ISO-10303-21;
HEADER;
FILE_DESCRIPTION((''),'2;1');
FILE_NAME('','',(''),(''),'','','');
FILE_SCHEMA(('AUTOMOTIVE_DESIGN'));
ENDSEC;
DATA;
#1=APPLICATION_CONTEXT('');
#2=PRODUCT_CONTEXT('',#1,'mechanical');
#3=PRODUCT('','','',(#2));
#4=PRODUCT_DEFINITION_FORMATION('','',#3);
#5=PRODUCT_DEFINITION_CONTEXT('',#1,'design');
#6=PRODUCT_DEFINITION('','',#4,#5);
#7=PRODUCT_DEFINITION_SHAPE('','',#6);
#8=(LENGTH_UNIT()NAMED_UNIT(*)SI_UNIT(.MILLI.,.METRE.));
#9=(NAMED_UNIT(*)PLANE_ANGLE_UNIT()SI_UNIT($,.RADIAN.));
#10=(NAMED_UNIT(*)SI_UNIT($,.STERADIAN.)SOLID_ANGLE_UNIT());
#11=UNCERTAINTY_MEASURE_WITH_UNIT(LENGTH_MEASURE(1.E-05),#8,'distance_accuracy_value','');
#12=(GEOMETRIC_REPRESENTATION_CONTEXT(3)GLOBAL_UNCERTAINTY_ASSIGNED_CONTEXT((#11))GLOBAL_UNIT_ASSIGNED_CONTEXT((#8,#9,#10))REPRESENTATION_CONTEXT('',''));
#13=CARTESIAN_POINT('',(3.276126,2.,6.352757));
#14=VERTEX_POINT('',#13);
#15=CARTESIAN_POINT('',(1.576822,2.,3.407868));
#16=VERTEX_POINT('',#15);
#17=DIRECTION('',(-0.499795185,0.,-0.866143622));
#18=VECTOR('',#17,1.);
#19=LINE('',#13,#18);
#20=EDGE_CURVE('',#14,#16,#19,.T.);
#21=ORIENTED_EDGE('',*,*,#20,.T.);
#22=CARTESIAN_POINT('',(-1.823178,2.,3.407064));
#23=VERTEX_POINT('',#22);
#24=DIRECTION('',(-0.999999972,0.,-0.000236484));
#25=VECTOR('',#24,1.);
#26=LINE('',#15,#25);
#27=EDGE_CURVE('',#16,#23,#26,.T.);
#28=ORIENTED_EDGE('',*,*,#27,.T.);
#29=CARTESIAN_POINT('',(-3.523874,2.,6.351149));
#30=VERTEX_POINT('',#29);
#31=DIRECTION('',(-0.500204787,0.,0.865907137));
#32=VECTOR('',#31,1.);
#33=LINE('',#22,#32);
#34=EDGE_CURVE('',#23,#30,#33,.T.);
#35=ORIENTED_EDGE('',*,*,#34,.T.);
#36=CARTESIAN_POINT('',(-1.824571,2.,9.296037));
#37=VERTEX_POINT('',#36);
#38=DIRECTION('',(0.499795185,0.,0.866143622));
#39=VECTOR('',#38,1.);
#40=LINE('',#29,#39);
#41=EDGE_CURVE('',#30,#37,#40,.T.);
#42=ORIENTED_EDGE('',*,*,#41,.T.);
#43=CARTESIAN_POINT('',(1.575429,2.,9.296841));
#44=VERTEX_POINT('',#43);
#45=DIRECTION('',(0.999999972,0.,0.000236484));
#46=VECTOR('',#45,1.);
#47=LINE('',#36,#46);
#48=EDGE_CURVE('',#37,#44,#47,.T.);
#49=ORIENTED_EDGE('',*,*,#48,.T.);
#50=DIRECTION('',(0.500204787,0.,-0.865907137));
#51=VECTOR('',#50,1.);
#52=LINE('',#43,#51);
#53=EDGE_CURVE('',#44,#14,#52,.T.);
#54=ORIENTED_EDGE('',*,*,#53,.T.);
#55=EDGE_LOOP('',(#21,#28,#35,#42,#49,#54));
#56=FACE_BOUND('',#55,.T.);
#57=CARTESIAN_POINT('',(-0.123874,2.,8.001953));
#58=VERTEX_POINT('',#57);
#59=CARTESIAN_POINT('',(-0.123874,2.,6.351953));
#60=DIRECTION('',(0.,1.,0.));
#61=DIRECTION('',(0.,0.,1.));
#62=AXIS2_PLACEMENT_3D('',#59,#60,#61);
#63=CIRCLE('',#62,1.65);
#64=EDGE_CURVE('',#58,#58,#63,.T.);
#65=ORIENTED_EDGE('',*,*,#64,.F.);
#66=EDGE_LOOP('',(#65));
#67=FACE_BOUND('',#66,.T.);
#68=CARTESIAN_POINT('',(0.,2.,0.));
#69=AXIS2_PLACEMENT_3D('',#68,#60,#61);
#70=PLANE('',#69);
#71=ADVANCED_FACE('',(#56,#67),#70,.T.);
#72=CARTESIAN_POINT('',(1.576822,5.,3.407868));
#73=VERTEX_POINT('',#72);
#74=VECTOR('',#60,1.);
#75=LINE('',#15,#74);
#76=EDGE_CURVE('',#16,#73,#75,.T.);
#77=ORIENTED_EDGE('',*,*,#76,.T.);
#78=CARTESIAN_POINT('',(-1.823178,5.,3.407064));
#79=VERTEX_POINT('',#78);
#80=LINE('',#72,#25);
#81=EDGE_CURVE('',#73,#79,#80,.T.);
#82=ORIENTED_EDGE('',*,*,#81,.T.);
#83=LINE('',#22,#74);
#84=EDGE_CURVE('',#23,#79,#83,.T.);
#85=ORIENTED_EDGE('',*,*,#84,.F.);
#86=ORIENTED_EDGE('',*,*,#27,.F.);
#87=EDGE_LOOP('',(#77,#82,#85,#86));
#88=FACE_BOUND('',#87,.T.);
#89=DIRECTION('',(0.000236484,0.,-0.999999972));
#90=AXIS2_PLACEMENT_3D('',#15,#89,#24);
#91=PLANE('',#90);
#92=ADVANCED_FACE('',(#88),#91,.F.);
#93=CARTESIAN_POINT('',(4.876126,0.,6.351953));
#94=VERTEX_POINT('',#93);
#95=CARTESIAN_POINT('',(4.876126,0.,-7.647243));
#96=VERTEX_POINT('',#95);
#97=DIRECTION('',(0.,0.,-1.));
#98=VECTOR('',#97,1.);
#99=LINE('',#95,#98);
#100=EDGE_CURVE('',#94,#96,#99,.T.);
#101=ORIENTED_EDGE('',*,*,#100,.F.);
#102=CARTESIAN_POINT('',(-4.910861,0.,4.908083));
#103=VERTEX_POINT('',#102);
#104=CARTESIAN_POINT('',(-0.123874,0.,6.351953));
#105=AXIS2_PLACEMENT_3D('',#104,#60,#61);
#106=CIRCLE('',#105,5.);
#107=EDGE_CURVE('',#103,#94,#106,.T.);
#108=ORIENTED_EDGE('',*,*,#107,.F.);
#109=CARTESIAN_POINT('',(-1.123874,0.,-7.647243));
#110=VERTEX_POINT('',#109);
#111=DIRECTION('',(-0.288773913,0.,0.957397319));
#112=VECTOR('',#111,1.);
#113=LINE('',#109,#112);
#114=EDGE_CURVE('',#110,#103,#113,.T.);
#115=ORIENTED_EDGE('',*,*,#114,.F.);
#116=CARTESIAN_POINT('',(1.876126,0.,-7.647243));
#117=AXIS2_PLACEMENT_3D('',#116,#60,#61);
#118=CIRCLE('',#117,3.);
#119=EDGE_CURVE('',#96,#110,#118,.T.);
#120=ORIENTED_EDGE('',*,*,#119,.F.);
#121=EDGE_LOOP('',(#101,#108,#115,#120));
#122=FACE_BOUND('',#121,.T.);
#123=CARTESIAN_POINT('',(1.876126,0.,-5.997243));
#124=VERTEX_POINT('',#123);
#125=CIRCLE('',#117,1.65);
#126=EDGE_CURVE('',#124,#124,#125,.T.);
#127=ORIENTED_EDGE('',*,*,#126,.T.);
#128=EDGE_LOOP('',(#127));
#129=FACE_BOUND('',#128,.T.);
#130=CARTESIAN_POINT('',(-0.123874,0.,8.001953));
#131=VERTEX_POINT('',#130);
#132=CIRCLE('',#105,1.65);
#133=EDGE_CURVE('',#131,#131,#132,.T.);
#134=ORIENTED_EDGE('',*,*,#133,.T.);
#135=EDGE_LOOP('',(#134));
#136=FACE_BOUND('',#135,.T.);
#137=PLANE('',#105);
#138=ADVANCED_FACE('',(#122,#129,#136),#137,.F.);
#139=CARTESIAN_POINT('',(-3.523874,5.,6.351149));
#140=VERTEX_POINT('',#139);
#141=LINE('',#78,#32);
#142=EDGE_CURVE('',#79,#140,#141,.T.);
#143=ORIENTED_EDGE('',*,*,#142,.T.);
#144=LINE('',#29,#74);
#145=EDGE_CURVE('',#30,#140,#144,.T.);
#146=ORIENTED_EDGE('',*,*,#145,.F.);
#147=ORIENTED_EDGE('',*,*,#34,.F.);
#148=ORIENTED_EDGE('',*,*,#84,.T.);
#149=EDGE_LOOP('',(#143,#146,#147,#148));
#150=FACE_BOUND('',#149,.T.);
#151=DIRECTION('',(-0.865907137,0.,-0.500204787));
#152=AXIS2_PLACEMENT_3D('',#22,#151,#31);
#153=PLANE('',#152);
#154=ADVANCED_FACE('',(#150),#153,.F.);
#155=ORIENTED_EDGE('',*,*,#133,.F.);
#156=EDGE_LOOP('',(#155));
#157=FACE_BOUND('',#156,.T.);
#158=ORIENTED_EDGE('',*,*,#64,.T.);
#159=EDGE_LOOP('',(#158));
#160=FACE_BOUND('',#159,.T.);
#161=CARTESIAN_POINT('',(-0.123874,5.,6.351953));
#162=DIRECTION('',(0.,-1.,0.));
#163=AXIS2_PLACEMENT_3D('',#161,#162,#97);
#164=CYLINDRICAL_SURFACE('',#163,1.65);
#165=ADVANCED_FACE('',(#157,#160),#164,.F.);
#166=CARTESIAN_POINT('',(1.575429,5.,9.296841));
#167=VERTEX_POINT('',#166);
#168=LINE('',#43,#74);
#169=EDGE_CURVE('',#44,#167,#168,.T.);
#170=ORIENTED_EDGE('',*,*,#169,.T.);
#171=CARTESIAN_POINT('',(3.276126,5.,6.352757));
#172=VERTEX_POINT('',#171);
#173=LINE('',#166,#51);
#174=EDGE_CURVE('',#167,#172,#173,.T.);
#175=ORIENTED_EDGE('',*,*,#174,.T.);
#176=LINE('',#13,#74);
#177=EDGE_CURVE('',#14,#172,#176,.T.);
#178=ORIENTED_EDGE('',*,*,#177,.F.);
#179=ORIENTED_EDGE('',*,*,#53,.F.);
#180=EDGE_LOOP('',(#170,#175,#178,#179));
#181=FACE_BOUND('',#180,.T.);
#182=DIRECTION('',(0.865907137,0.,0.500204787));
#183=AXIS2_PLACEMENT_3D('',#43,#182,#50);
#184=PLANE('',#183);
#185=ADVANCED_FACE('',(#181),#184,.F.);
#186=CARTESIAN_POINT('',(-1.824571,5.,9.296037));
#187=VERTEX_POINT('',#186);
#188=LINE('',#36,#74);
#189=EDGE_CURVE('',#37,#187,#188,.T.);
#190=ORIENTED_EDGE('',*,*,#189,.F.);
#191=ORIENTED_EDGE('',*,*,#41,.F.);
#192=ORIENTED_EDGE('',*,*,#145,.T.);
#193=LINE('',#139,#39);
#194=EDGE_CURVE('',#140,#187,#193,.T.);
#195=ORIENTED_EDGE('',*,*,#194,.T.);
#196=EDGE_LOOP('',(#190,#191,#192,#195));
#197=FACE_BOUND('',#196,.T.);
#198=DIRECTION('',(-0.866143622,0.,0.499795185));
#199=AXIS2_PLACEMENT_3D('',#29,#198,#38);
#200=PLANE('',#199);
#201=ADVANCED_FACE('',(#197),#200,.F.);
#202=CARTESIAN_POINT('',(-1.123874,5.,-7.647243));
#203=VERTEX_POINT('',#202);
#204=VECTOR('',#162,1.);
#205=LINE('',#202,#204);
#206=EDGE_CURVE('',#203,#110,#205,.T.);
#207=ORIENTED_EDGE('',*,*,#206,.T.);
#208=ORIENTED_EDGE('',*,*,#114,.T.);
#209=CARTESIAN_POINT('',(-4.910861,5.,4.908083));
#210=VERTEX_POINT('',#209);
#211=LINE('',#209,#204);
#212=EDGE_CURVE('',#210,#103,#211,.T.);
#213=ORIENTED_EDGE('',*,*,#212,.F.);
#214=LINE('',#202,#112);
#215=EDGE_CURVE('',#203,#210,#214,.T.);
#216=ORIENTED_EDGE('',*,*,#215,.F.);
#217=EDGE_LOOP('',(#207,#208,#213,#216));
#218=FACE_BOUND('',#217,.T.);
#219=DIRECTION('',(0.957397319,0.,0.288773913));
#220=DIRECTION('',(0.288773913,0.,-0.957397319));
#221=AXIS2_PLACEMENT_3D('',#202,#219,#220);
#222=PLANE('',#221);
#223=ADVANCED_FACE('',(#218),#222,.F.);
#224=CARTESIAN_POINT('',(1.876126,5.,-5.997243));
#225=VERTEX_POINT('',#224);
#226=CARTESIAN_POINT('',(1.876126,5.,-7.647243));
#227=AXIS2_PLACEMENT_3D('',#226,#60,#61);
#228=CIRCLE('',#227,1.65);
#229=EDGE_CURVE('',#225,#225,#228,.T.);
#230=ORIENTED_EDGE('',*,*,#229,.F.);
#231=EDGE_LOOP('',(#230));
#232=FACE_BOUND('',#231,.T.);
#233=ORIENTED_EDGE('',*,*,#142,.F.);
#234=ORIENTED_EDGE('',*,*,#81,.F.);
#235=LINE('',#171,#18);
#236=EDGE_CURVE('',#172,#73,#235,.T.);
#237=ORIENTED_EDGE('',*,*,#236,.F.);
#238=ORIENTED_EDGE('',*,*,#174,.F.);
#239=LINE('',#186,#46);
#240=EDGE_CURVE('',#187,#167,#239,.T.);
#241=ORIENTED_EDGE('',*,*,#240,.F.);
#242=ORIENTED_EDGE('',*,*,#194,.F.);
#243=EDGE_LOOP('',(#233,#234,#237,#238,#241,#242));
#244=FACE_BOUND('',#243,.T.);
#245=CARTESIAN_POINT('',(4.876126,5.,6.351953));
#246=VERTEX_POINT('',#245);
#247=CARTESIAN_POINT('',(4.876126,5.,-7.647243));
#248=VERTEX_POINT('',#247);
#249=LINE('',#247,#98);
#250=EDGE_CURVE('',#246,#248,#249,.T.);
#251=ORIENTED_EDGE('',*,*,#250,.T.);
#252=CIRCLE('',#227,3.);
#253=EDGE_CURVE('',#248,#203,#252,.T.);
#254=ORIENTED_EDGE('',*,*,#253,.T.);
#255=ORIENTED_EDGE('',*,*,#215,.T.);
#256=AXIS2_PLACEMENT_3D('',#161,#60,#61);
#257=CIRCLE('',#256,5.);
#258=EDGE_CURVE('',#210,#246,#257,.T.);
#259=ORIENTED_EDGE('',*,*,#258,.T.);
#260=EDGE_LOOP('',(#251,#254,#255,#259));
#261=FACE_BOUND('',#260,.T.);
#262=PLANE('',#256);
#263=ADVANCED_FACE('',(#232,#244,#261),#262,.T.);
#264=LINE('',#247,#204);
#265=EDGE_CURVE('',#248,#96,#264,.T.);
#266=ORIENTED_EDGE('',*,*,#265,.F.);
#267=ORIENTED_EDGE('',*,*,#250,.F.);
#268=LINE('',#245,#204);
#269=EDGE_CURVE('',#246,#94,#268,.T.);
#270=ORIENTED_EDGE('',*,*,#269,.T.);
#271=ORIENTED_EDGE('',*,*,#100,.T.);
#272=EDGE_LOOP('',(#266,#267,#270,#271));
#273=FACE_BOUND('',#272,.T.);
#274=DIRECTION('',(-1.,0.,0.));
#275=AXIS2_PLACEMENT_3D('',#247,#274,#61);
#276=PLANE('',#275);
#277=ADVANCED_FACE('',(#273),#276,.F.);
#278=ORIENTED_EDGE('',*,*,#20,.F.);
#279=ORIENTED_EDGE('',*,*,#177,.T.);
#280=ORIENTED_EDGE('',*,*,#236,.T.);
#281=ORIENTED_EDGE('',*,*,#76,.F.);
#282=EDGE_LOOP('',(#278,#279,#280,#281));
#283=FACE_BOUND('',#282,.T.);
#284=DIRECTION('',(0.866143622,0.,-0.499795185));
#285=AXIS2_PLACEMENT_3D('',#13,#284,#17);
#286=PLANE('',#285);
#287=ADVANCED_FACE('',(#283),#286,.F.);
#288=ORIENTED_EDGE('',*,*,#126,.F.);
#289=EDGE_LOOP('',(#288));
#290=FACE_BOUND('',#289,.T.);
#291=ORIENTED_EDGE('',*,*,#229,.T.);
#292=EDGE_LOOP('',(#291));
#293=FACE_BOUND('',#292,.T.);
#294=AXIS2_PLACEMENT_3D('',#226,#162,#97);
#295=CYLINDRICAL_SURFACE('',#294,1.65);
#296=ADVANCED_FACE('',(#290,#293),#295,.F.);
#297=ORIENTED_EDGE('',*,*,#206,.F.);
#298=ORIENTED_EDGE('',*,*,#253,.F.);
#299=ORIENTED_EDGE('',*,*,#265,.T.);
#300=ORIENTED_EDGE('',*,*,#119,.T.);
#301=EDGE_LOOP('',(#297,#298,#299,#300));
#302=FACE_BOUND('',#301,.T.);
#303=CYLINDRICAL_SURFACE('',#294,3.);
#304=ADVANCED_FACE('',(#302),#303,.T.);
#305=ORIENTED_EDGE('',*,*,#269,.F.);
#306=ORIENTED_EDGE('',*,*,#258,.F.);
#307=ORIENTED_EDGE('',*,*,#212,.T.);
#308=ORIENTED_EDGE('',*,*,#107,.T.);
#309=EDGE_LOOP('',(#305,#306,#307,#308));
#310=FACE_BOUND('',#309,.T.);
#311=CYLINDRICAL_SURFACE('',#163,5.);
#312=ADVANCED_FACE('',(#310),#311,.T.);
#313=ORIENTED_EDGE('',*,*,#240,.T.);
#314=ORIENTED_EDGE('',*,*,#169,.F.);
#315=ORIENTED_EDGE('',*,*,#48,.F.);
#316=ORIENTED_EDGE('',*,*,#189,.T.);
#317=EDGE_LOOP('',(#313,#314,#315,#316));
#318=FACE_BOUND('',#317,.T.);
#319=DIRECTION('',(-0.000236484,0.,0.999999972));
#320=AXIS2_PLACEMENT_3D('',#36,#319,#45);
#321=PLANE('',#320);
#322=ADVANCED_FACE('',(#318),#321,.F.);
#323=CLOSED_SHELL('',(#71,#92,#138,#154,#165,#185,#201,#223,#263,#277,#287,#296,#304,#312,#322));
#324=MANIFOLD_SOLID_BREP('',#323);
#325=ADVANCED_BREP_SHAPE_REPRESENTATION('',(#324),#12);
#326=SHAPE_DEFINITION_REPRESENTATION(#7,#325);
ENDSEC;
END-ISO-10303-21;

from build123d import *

# Parameters (mm, degrees)
SKETCH1_R           = 1.65
BOSS_EXTRUDE1_DEPTH = 5
CUT_EXTRUDE1_DEPTH  = 3


with BuildPart() as part:
    # Sketch1 → Boss-Extrude1 (new body)
    with BuildSketch(Plane(origin=(0, 0, 0), x_dir=(1, 0, 0), z_dir=(0, 1, 0))):
        with BuildLine():
            Line((-1.123874335, 7.64724342), (-4.910860932, -4.908083254))
            ThreePointArc((-4.910860932, -4.908083254), (-0.85362327, -11.298412816), (4.876125665, -6.35195282))
            Line((4.876125665, -6.35195282), (4.876125665, 7.64724342))
            ThreePointArc((4.876125665, 7.64724342), (1.876125665, 10.64724342), (-1.123874335, 7.64724342))
        make_face()
        with Locations(Location((1.876125665, 7.64724342, 0), (0, 0, 270))):
            Circle(SKETCH1_R, mode=Mode.SUBTRACT)
        with Locations(Location((-0.123874335, -6.35195282, 0), (0, 0, 270))):
            Circle(SKETCH1_R, mode=Mode.SUBTRACT)
    extrude(amount=BOSS_EXTRUDE1_DEPTH)

    # Sketch2 → Cut-Extrude1 (cut)
    with BuildSketch(Plane(origin=(0, 5, 0), x_dir=(1, 0, 0), z_dir=(0, 1, 0))):
        Polygon((3.276125665, -6.352756866), (1.576821989, -3.40786847), (-1.823178011, -3.407064424), (-3.523874335, -6.351148774), (-1.82457066, -9.29603717), (1.57542934, -9.296841216), align=None)
    extrude(amount=-CUT_EXTRUDE1_DEPTH, mode=Mode.SUBTRACT)


solid = part.part
